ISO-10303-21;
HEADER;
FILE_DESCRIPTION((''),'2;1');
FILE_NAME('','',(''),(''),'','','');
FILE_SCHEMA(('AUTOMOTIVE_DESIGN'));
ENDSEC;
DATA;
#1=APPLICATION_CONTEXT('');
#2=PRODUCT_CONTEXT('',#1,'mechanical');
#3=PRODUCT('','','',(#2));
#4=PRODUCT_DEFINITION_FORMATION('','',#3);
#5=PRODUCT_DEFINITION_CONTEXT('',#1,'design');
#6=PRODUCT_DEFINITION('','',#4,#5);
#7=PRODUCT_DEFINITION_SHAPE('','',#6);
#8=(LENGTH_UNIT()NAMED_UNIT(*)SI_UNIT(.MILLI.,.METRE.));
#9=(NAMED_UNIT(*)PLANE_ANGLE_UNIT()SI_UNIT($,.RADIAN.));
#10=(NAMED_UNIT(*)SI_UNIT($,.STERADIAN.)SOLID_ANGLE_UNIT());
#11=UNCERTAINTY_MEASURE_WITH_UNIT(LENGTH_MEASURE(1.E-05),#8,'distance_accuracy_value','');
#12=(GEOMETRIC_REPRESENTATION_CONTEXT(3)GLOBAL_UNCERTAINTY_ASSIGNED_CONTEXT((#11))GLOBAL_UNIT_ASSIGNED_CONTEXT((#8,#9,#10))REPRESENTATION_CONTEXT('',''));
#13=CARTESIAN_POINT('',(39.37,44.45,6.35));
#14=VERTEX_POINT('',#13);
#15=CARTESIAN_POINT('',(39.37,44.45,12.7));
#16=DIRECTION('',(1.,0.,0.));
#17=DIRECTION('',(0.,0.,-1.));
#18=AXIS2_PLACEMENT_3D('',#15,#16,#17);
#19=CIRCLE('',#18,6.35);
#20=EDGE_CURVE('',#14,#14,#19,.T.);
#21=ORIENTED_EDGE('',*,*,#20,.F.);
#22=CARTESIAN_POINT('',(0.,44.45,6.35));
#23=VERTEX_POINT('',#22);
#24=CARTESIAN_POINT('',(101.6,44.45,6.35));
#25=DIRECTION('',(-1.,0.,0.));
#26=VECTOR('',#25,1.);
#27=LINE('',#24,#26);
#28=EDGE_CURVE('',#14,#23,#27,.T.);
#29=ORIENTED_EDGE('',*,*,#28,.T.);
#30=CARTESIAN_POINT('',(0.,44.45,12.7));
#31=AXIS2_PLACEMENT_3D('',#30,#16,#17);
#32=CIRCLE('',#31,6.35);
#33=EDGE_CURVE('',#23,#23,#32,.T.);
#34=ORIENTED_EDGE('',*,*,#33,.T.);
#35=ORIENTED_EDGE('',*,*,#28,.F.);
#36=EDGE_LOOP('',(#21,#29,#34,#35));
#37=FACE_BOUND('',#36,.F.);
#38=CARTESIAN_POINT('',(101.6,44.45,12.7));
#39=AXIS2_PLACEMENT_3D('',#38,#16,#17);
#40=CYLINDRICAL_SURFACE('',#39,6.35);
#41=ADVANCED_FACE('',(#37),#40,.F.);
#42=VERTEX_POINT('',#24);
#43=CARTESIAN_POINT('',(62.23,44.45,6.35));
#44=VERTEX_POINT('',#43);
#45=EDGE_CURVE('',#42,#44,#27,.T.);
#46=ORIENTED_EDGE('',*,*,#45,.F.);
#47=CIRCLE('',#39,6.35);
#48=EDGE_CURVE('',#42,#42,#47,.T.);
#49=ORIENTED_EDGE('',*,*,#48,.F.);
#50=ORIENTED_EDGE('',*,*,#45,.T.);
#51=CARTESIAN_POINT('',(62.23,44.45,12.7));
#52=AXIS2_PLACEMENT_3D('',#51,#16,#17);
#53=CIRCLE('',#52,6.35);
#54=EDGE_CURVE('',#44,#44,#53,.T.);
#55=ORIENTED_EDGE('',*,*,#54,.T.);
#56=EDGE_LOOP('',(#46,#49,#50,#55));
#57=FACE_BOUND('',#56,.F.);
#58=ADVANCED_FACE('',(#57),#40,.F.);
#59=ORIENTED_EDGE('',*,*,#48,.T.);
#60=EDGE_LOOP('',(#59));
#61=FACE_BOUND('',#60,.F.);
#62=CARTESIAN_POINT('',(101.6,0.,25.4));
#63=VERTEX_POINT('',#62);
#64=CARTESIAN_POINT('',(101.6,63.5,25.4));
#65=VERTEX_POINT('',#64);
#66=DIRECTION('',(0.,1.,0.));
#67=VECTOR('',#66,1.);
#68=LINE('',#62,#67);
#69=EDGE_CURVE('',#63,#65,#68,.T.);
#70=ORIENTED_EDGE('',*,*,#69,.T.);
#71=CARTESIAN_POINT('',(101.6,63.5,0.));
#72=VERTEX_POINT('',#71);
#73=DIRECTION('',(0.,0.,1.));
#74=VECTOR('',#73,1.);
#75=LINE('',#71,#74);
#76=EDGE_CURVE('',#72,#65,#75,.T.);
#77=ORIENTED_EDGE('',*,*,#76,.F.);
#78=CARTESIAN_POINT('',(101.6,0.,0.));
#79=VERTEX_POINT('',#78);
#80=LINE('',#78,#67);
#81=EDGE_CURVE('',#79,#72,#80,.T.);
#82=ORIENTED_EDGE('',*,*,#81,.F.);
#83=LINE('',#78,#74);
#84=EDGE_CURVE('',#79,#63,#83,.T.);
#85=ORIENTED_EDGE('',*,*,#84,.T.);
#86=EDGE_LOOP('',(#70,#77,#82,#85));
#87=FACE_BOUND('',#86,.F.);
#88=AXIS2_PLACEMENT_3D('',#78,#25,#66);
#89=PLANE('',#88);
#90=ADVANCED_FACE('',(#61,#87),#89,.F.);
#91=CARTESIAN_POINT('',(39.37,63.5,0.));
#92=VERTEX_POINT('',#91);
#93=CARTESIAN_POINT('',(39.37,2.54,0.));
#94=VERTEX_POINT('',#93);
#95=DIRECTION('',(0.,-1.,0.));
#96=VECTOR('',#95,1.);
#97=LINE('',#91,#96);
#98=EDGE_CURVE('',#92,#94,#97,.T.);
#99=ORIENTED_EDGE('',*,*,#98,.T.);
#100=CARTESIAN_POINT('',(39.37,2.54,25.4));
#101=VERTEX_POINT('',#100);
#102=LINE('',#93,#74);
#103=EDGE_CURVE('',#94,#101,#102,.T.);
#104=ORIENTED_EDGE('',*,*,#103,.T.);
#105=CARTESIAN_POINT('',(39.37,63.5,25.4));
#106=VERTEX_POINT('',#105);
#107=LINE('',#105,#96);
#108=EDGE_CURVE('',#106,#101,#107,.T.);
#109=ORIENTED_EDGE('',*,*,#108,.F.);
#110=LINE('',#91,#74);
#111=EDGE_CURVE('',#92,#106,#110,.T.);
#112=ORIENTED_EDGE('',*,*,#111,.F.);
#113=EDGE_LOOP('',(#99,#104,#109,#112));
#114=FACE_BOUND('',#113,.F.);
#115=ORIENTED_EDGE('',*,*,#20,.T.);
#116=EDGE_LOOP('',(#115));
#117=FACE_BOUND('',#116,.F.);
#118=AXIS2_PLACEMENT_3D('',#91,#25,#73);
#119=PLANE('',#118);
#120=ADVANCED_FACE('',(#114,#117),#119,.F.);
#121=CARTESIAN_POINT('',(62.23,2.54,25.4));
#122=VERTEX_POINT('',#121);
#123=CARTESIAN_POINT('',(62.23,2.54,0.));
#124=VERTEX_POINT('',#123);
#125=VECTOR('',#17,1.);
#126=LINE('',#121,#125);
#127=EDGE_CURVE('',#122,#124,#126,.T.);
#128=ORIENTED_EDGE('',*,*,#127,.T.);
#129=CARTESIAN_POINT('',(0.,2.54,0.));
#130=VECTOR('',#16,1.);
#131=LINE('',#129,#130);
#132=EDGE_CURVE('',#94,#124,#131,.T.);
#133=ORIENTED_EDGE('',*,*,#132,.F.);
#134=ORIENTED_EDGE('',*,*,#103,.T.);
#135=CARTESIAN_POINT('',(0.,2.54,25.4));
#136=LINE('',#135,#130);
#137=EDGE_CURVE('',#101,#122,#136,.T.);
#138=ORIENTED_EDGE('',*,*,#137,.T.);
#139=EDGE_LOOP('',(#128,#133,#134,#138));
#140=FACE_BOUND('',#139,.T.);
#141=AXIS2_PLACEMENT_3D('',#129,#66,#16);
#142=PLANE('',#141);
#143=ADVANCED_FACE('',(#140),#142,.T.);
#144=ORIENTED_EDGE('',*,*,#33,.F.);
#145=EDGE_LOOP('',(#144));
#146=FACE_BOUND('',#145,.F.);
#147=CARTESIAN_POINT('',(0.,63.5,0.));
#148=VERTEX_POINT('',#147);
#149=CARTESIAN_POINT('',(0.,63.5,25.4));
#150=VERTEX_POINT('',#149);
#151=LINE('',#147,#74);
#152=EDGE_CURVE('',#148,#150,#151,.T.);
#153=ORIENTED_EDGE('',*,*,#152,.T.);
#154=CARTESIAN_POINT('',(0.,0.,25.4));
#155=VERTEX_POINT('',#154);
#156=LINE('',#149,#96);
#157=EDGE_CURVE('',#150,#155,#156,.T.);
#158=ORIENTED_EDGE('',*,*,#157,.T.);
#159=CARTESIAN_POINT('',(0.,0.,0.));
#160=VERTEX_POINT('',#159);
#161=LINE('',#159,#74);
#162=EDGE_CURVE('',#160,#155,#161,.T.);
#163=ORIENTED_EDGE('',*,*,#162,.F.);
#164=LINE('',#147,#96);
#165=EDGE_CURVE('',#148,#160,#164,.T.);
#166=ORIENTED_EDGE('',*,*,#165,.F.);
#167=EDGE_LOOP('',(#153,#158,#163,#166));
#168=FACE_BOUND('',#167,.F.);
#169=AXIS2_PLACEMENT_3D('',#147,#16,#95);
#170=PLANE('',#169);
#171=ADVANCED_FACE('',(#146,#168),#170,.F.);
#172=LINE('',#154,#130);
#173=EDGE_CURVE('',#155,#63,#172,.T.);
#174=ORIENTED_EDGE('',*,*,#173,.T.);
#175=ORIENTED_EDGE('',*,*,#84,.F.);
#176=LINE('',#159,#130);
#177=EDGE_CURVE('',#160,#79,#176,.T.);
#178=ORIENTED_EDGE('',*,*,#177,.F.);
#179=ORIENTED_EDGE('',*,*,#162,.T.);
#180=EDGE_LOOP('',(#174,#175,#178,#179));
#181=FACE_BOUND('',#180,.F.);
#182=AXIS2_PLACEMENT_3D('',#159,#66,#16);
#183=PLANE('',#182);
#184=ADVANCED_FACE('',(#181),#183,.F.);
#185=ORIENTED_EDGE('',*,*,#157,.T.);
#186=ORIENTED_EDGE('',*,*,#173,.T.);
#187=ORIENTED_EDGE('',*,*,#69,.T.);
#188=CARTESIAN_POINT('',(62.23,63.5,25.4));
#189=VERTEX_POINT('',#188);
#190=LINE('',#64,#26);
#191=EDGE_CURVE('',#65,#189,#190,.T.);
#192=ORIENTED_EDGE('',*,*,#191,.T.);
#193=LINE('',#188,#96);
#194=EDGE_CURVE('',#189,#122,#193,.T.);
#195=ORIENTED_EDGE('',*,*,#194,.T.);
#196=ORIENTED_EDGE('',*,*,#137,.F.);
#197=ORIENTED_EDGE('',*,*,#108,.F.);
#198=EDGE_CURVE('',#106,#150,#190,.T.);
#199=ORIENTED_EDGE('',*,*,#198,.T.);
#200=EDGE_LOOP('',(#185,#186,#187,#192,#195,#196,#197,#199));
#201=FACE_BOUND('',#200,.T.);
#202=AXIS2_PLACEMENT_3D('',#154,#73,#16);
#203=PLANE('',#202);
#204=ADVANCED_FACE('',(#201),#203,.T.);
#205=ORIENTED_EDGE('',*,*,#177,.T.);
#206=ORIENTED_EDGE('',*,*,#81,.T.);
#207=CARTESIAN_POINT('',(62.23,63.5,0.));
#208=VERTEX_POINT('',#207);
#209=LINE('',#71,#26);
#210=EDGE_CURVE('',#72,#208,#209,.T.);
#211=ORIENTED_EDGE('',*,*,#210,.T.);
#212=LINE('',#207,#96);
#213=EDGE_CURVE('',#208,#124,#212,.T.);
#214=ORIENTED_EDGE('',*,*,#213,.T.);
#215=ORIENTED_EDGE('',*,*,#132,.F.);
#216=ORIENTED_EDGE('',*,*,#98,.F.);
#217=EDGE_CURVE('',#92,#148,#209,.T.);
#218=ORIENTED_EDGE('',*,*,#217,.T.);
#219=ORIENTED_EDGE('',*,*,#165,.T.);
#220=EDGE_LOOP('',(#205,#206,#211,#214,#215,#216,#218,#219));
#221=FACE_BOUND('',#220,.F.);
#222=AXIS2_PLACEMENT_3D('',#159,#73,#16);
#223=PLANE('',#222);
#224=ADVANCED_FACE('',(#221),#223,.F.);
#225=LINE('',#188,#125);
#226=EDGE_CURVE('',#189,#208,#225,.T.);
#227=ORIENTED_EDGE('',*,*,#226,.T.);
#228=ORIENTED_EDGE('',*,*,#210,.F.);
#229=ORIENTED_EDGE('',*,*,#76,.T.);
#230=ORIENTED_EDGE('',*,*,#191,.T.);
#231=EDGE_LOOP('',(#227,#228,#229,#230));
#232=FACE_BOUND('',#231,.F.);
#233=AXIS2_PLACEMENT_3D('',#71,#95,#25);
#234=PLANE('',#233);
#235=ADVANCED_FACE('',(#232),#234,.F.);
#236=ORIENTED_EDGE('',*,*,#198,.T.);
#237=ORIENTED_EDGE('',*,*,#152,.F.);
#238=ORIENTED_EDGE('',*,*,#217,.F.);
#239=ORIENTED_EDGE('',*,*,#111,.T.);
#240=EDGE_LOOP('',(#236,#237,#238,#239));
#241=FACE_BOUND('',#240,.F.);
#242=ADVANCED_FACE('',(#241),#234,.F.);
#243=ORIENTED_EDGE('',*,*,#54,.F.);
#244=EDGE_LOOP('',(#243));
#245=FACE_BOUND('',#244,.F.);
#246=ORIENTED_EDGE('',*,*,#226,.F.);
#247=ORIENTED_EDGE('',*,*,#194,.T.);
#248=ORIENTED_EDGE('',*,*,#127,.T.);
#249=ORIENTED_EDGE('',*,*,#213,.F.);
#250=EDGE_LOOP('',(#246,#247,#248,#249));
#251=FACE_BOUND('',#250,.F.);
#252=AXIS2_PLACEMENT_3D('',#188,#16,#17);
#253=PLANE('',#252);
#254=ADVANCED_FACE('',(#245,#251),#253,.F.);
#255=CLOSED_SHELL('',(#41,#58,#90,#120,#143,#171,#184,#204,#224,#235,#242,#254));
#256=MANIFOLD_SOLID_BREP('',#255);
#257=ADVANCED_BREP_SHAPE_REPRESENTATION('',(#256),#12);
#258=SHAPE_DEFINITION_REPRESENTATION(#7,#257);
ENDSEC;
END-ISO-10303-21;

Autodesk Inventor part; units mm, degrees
ref_plane "YZ Plane" through (0, 0, 0) normal (1, 0, 0) x (0, 1, 0)
ref_plane "XZ Plane" through (0, 0, 0) normal (0, 1, 0) x (-1, 0, 0)
ref_plane "XY Plane" through (0, 0, 0) normal (0, 0, 1) x (1, 0, 0)
sketch "Sketch1" plane through (0, 0, 0) normal (0, 0, 1) x (1, 0, 0)
  line L0 (0, 0) -> (101.6, 0)
  line L1 (101.6, 0) -> (101.6, 63.5)
  line L2 (101.6, 63.5) -> (0, 63.5)
  line L3 (0, 63.5) -> (0, 0)
  dimension "d0" = 101.6
  dimension "d1" = 63.5
extrude "Extrusion1" add sketch "Sketch1" along normal blind 25.4
sketch "Sketch2" plane through (101.6, 0, 0) normal (1, 0, 0) x (0, 0, -1)
  circle A0 centre (-12.7, 44.45) radius 6.35
  line L0 (-25.4, 0) -> (-25.4, 63.5) projected
  line L1 (0, 0) -> (-25.4, 0) projected
  line L2 (0, 63.5) -> (-25.4, 63.5) projected
  dimension "d4" = 12.7
  dimension "d5" = 12.7
  dimension "d13" = 19.05
extrude "Extrusion2" cut sketch "Sketch2" against normal blind 101.6
sketch "Sketch3" plane through (0, 63.5, 0) normal (0, 1, 0) x (1, 0, 0)
  line L0 (0, -25.4) -> (101.6, -25.4) projected
  line L1 (0, 0) -> (101.6, 0) projected
  line L2 (39.37, -25.4) -> (62.23, -25.4)
  line L3 (62.23, -25.4) -> (62.23, 0)
  line L4 (62.23, 0) -> (39.37, 0)
  line L5 (39.37, 0) -> (39.37, -25.4)
  line L6 (101.6, 0) -> (101.6, -25.4) projected
  dimension "d9" = 22.86
  dimension "d10" = 39.37
extrude "Extrusion3" cut sketch "Sketch3" against normal blind 60.96 contours L5 L1 L3 L0
properties part number "Kermit MountConnectors"
